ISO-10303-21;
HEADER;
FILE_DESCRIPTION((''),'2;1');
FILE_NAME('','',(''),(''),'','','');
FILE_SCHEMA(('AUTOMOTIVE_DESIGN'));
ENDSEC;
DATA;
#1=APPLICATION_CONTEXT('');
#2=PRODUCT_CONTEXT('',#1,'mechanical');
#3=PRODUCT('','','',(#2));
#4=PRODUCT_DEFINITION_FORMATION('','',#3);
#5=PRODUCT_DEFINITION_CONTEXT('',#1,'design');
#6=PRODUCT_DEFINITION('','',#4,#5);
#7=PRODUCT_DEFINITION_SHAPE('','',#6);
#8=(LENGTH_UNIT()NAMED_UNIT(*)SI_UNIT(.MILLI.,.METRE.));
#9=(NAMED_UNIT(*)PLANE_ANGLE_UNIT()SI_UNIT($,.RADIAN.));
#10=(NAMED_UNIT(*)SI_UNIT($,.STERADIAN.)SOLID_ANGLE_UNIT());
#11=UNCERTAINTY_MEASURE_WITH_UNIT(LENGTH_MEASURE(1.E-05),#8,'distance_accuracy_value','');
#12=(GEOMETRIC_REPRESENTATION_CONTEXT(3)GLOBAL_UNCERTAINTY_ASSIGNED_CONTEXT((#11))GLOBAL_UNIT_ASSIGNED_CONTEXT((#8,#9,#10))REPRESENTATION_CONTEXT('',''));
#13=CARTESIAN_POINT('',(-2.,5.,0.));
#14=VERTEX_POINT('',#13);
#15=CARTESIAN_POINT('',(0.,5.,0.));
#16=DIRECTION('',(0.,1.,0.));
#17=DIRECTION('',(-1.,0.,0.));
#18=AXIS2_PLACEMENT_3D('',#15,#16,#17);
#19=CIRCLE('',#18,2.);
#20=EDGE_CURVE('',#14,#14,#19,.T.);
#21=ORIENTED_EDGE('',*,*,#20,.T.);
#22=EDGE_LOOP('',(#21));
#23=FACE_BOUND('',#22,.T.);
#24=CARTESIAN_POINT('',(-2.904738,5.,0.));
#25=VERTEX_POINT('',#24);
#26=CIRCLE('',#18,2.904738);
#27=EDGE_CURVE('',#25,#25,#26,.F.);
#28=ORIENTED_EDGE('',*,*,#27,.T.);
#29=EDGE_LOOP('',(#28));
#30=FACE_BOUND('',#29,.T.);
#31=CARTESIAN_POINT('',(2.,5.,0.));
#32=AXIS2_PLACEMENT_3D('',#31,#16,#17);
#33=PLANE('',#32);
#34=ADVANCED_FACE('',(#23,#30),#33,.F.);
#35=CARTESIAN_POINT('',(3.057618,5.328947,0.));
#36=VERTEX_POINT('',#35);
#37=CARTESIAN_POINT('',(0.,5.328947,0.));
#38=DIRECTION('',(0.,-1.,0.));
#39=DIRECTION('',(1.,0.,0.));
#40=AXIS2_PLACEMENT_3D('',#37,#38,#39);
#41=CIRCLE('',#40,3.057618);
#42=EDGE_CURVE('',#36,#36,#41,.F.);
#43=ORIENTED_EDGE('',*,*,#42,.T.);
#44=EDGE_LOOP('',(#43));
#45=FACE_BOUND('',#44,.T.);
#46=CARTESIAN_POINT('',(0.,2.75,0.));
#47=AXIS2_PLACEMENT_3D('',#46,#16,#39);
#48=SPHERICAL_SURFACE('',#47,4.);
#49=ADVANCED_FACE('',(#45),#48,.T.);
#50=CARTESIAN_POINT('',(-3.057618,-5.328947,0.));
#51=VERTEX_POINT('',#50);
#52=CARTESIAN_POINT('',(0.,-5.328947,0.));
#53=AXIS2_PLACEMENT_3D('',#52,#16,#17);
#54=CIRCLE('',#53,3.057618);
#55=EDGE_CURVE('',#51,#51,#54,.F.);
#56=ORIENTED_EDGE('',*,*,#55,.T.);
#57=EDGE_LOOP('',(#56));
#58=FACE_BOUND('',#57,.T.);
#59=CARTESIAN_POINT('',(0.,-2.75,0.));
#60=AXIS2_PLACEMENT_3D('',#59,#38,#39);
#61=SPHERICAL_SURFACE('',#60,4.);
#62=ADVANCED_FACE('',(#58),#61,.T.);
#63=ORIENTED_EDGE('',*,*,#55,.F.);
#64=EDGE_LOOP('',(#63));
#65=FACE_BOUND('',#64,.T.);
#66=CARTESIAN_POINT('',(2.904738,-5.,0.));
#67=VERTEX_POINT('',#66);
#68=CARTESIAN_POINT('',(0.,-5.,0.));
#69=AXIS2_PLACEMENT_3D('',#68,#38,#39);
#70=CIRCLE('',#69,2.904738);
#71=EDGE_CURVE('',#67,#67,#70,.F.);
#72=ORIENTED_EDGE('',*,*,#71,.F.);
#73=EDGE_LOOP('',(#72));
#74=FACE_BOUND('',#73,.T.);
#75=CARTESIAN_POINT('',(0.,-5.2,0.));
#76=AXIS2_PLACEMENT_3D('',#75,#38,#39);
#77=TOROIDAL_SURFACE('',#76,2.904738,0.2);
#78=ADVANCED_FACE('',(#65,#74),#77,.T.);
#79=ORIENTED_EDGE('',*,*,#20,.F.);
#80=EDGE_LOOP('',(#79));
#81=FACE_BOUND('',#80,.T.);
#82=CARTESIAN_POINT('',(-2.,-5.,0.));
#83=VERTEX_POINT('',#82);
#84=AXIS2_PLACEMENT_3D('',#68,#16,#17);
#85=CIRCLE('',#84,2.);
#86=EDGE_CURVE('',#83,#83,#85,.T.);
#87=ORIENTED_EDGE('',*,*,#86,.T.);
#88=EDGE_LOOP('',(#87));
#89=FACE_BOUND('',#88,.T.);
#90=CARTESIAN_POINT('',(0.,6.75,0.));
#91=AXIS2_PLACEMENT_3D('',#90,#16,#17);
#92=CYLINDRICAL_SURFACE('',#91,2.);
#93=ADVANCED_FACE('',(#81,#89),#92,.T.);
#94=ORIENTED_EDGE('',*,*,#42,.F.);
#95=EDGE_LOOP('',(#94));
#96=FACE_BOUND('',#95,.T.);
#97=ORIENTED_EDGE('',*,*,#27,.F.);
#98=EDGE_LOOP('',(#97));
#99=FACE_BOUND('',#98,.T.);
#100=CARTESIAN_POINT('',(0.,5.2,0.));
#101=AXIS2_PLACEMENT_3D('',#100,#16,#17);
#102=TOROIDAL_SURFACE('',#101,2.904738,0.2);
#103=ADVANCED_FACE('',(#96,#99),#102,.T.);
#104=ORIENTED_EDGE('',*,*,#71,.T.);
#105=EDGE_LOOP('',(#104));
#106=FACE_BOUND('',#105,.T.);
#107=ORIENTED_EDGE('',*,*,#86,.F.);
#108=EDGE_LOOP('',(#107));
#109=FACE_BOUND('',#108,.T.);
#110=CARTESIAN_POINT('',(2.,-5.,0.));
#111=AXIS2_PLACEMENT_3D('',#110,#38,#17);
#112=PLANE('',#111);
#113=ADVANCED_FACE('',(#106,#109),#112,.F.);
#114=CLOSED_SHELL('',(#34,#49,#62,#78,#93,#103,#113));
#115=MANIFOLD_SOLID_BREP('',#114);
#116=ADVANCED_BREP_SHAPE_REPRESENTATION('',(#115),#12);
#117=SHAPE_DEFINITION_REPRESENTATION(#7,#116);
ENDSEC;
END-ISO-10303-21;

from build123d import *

# Parameters (mm, degrees)
FILLET1_R = 0.2


with BuildPart() as part:
    # Sketch1 → Revolve1 (revolve)
    with BuildSketch(Plane.XY):
        with BuildLine():
            Line((0, 0), (2, 0))
            Line((2, 0), (2, 5))
            Line((2, 5), (3.307189139, 5))
            ThreePointArc((3.307189139, 5), (1.870828693, 6.285533906), (0, 6.75))
            Line((0, 6.75), (0, 0))
        make_face()
    revolve1 = revolve(axis=Axis((0, 6.75, 0), (0, -1, 0)))

    # Mirror1: Revolve1 across plane
    add(revolve1.mirror(Plane.ZX))

    # Fillet1
    fillet1_edges = [part.edges().sort_by_distance(p)[0] for p in [
        (-3.307189139, -5, 0),
        (-3.307189139, 5, 0),
    ]]
    fillet(fillet1_edges, radius=FILLET1_R)


solid = part.part
